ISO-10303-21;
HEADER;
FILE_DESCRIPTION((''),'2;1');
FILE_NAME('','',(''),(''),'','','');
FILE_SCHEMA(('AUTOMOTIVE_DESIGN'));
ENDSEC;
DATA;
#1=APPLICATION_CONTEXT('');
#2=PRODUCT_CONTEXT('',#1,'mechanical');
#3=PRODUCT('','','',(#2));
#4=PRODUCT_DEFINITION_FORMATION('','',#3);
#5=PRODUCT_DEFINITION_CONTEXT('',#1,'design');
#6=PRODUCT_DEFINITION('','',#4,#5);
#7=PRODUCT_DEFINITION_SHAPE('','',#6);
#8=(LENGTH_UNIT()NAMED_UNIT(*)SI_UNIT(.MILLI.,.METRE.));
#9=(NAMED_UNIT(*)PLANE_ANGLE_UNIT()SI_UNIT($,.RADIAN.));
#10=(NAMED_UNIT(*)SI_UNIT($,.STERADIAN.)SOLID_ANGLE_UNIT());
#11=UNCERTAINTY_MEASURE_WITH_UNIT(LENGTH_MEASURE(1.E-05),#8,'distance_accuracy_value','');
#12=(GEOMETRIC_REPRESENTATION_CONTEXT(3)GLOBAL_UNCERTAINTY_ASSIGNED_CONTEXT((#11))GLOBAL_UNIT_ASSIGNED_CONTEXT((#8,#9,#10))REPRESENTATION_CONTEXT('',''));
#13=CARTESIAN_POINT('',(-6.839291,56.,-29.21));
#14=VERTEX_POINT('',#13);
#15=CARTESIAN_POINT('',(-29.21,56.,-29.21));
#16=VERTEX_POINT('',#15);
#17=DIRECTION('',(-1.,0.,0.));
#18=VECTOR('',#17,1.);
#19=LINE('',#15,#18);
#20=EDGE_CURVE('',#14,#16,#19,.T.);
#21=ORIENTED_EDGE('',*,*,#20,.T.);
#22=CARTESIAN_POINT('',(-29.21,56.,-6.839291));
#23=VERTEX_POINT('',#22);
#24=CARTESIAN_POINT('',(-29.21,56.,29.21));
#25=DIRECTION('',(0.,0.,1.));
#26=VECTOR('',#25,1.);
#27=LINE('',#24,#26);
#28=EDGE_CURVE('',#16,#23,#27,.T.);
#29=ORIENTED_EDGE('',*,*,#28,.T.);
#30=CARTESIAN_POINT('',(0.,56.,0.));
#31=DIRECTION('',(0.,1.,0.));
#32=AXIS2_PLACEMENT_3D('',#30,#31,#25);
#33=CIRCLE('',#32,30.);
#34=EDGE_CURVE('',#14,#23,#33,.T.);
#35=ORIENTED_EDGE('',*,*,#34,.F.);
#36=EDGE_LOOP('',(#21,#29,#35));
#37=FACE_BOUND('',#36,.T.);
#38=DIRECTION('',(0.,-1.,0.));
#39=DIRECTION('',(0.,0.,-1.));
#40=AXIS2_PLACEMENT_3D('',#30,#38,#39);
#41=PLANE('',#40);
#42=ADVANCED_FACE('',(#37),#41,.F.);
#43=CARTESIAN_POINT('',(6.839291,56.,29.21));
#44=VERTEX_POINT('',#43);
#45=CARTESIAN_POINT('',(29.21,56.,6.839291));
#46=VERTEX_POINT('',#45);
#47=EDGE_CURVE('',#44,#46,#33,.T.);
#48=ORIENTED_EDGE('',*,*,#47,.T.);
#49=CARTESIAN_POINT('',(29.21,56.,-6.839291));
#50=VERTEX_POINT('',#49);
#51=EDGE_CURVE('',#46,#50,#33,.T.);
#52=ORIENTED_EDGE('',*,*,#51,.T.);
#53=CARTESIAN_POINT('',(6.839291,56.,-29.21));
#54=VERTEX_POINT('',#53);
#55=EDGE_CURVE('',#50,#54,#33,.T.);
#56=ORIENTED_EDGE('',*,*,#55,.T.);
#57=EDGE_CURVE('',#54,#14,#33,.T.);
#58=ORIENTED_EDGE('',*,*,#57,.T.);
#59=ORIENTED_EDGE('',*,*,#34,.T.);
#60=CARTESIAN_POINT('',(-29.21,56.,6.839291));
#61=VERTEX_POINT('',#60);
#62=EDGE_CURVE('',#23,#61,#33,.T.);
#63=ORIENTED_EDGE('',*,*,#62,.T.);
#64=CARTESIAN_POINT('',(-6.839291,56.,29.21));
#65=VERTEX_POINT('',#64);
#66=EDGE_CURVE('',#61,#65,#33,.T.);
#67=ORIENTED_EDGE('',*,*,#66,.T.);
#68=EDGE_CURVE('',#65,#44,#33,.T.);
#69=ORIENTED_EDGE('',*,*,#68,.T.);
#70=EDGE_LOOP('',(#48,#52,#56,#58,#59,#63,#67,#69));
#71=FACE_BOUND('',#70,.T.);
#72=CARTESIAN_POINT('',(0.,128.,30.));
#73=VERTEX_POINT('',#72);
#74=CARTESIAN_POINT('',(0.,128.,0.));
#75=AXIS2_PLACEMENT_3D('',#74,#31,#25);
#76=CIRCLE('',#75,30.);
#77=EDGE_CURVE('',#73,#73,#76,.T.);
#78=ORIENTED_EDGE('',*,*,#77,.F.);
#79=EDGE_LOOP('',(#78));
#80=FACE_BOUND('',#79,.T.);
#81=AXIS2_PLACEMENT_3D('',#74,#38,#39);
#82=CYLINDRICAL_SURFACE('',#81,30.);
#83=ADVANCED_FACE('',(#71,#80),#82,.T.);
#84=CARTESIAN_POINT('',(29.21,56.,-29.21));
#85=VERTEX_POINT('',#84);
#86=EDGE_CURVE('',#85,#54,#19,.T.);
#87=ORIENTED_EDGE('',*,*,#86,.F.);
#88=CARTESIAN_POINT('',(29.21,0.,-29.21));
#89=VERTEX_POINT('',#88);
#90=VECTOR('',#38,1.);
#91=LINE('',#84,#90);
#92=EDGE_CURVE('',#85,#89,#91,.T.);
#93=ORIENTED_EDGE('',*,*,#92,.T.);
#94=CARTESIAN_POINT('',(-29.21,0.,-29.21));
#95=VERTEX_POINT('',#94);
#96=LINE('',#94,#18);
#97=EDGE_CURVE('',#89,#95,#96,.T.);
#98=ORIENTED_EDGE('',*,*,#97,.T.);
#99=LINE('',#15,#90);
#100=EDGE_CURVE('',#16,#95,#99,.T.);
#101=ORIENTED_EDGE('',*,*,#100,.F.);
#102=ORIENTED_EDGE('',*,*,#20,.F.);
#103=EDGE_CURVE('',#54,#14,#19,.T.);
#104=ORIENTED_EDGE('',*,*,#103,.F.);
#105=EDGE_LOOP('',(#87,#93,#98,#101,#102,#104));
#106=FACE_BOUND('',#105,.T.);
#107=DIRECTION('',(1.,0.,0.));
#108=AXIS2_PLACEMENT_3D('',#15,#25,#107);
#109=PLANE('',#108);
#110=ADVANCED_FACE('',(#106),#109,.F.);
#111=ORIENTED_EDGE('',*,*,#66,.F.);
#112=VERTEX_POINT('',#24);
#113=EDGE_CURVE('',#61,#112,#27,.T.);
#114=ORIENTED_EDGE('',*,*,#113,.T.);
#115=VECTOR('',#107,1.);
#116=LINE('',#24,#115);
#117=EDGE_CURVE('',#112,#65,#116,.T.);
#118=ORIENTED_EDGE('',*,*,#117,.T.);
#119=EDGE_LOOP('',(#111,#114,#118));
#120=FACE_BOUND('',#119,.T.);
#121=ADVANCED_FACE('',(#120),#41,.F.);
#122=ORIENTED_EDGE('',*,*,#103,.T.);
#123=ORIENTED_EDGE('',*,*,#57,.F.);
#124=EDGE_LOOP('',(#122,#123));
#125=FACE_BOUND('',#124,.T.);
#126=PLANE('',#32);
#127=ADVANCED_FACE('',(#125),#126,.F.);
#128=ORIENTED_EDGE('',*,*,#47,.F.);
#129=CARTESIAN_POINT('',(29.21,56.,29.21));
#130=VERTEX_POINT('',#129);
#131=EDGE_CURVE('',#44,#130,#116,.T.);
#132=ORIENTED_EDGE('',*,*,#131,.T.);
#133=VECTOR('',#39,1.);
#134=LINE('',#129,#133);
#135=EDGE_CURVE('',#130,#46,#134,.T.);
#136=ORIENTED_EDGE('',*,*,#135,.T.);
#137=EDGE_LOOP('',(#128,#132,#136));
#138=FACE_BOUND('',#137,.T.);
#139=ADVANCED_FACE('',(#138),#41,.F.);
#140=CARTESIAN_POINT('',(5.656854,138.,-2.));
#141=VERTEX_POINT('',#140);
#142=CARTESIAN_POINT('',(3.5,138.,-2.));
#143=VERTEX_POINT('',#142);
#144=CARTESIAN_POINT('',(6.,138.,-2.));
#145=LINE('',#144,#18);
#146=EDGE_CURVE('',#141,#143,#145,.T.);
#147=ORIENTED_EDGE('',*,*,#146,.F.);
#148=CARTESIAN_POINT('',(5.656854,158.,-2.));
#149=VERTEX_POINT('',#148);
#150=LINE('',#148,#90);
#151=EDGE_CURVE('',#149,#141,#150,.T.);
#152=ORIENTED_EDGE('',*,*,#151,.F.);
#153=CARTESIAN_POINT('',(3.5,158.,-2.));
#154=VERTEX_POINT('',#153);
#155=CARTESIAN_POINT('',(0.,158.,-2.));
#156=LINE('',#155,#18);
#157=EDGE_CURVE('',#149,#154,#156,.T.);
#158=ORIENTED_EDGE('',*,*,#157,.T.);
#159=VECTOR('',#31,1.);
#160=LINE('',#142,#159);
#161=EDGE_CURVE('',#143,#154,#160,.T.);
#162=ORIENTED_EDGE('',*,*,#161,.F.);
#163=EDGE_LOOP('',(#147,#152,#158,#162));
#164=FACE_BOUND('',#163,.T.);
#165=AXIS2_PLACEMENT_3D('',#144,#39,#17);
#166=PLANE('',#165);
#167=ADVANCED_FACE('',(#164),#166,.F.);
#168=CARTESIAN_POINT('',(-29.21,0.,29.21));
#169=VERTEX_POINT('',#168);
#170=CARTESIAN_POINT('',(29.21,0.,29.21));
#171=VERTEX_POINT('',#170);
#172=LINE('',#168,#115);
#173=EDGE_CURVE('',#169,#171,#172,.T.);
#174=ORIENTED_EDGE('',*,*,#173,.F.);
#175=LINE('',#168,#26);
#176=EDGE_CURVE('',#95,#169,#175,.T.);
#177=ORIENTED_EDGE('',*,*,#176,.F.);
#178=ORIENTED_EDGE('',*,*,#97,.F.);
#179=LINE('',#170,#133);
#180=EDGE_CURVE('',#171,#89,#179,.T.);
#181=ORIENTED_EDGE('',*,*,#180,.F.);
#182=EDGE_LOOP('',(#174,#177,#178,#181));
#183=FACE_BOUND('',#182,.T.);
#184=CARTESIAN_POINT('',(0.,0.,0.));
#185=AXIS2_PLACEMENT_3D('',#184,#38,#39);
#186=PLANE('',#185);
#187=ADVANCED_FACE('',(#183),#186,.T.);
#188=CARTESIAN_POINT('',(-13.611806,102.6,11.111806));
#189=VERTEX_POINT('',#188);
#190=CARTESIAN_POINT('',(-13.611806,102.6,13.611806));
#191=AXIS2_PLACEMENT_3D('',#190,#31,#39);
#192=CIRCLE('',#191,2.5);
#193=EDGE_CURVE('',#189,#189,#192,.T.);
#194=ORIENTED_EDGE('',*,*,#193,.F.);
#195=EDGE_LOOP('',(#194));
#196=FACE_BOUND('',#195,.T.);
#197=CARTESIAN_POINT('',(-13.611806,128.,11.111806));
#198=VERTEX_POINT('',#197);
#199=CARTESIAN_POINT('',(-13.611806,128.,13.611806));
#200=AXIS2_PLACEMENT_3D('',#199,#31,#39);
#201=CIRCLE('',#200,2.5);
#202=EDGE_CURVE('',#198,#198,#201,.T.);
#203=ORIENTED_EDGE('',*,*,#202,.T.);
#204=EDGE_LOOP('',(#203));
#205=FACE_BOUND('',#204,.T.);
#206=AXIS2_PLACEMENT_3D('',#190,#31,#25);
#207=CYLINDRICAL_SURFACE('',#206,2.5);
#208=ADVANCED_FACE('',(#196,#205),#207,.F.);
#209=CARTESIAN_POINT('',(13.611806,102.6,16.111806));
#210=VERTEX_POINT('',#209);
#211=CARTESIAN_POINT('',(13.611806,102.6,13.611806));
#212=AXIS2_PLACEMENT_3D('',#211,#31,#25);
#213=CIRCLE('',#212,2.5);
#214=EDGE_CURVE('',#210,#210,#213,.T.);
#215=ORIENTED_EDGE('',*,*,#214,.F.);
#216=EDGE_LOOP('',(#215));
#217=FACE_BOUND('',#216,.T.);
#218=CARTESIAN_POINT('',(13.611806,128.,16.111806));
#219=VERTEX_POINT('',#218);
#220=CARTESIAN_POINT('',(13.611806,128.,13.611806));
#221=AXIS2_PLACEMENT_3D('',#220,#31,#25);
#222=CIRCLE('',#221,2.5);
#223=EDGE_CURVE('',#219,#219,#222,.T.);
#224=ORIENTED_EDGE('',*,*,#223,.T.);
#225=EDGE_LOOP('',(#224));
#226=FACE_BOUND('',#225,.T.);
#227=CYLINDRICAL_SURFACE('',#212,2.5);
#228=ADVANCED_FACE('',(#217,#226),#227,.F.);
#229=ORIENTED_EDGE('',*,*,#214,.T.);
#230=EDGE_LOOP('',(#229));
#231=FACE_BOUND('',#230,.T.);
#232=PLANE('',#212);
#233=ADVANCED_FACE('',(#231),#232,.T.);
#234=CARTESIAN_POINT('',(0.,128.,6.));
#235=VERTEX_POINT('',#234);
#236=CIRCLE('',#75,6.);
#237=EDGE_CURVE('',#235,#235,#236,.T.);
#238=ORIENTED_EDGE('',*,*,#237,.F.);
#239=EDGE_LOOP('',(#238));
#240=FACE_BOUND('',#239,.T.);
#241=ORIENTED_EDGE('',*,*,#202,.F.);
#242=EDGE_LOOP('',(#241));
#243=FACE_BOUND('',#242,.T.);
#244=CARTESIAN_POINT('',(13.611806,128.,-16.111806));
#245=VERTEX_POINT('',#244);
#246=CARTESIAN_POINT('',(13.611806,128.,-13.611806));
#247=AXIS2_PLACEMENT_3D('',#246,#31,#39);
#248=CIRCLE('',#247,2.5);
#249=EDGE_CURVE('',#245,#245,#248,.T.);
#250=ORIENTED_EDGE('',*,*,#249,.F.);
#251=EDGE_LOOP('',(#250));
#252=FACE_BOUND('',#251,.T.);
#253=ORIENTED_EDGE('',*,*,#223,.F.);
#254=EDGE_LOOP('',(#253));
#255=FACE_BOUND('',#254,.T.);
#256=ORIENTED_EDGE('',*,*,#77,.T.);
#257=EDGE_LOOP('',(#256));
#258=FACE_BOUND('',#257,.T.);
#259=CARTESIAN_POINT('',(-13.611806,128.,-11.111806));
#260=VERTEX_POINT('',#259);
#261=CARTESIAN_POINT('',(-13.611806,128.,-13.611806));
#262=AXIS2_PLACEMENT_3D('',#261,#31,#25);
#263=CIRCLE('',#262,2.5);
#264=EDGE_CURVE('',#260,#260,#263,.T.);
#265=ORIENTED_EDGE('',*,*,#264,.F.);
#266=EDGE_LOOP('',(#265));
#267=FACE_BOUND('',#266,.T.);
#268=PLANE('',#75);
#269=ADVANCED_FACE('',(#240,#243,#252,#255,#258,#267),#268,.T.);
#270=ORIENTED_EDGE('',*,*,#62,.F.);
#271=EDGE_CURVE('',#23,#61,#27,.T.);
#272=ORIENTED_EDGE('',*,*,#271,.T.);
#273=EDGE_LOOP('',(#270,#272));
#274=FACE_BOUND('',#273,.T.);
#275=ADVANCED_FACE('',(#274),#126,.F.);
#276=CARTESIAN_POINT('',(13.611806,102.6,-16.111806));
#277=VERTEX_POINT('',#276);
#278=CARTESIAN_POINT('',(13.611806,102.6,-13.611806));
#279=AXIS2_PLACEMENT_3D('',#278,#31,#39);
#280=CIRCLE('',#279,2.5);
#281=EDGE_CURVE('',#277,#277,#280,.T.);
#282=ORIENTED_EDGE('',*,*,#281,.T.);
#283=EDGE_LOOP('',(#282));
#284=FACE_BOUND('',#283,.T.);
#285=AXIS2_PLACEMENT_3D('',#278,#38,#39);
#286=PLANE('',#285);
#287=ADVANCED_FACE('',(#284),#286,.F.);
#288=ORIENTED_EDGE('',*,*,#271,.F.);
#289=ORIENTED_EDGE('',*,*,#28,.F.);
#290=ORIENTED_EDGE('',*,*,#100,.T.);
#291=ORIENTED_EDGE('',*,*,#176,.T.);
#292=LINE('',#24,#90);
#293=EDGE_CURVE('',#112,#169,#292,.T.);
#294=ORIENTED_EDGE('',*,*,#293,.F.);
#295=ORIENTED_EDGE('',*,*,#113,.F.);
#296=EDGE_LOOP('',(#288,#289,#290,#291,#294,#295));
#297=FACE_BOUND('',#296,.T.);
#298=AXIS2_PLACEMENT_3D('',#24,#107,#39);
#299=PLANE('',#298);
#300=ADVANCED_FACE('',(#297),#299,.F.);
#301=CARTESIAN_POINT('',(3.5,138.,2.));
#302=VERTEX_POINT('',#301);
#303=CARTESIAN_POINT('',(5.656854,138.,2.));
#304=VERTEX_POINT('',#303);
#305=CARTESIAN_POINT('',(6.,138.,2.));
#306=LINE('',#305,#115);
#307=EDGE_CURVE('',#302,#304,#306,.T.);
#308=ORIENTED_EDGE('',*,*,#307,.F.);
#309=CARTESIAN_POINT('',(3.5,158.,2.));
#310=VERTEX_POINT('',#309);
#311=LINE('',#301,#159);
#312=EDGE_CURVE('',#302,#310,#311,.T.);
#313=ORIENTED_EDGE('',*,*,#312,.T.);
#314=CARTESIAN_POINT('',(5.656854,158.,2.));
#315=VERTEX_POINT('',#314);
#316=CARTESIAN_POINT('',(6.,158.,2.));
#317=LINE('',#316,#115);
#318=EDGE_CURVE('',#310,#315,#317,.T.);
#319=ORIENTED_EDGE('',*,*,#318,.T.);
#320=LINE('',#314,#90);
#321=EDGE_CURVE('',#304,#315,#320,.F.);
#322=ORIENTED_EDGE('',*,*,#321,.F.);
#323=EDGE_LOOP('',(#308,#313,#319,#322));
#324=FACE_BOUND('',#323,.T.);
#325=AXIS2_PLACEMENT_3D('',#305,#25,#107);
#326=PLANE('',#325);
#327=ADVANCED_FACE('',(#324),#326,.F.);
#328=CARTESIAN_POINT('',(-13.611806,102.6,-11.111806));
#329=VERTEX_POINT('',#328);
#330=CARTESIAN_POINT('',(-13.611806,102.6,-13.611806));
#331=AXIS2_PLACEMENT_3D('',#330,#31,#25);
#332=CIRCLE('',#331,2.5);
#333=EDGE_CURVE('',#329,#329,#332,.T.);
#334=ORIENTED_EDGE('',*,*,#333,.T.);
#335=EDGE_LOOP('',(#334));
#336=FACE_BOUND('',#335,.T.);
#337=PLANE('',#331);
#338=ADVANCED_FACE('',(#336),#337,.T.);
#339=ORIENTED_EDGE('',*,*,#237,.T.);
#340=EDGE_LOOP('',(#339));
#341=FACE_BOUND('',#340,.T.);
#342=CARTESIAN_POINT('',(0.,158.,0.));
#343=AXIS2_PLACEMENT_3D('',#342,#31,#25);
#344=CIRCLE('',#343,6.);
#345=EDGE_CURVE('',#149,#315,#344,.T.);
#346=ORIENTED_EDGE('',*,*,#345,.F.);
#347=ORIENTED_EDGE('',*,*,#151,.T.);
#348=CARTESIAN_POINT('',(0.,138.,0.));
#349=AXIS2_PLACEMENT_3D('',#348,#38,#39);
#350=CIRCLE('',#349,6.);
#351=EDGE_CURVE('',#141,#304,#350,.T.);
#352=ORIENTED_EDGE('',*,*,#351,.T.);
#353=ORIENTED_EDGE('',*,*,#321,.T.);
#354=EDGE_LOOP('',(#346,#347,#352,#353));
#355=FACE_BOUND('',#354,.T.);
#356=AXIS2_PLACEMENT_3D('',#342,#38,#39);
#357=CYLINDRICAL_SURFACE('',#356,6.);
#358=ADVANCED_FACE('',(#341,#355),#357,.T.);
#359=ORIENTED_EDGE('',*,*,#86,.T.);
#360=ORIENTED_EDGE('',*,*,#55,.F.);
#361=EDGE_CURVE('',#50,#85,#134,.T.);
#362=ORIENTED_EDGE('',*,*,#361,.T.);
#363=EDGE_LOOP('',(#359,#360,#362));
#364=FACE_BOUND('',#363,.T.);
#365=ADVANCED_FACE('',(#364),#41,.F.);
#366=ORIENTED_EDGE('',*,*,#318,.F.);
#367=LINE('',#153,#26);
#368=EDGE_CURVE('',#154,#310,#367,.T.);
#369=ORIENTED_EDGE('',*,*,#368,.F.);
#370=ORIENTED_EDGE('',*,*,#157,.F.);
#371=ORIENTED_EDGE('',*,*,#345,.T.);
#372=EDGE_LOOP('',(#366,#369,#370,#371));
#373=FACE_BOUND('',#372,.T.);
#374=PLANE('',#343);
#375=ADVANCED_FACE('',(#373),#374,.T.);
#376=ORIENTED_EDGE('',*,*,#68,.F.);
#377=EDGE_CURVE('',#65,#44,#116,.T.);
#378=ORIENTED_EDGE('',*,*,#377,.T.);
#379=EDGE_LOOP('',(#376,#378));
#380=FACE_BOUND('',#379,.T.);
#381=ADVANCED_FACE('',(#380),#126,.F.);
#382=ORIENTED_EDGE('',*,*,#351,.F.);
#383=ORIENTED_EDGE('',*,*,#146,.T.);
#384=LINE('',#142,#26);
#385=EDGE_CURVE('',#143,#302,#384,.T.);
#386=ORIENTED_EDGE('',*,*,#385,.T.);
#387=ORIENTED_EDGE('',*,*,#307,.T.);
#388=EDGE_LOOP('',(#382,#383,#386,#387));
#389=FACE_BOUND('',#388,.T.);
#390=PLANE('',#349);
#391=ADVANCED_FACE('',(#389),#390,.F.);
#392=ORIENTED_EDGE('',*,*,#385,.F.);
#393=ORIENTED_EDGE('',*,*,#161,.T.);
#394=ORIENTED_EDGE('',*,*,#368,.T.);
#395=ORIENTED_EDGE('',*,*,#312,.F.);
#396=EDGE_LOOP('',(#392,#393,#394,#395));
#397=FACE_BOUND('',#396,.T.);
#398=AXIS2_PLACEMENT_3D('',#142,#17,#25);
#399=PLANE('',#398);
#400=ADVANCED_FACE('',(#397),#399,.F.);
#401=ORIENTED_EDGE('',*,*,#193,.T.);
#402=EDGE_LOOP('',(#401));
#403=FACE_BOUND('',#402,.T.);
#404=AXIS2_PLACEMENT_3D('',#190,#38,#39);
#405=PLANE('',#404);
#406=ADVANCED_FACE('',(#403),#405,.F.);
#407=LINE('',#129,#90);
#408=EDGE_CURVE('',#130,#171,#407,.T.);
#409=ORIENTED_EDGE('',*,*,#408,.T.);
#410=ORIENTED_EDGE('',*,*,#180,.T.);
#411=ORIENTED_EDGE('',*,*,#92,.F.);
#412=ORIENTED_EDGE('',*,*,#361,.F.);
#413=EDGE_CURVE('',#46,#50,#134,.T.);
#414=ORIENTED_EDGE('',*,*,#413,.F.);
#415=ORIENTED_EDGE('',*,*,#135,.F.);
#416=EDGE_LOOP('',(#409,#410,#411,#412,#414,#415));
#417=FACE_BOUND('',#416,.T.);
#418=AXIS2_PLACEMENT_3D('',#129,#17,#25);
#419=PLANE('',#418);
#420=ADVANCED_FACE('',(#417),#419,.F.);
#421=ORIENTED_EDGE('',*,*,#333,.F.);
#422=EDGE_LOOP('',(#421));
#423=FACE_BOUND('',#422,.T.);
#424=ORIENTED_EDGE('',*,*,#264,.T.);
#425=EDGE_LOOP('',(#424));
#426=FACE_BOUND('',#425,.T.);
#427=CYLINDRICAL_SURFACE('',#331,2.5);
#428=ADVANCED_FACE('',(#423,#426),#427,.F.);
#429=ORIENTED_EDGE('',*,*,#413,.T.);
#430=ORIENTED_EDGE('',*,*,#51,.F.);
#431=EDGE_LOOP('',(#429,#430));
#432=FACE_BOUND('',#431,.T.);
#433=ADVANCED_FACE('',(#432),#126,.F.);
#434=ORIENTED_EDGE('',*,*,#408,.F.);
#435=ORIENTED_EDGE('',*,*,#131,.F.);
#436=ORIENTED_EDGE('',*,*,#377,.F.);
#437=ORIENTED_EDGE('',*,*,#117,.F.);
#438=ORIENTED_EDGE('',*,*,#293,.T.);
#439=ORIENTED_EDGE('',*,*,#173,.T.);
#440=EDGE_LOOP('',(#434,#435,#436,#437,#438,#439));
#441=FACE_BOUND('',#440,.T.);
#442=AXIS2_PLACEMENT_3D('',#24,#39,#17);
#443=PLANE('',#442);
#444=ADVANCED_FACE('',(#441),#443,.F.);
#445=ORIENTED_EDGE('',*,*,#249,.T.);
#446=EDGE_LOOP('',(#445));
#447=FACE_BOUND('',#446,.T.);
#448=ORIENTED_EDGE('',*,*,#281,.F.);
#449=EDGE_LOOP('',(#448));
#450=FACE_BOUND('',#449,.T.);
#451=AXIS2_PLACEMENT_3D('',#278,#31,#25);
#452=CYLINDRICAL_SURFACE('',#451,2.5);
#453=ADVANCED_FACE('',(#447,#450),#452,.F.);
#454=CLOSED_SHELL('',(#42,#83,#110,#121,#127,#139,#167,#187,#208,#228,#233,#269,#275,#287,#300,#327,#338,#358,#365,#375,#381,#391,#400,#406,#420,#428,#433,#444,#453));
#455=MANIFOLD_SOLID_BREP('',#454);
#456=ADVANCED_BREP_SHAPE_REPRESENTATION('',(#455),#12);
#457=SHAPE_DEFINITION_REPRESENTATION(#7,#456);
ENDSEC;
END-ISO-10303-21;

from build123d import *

# Parameters (mm, degrees)
SKETCH1_W           = 58.42
SKETCH1_H           = 58.42
BOSS_EXTRUDE1_DEPTH = 56
SKETCH2_R           = 30
BOSS_EXTRUDE2_DEPTH = 72
SKETCH3_R           = 6
BOSS_EXTRUDE3_DEPTH = 30
SKETCH4_R           = 2.5
CUT_EXTRUDE1_DEPTH  = 25.4
SKETCH5_W           = 2.5
SKETCH5_H           = 4
CUT_EXTRUDE2_DEPTH  = 20


with BuildPart() as part:
    # Sketch1 → Boss-Extrude1 (new body)
    with BuildSketch(Plane(origin=(0, 0, 0), x_dir=(1, 0, 0), z_dir=(0, 1, 0))):
        Rectangle(SKETCH1_W, SKETCH1_H)
    extrude(amount=BOSS_EXTRUDE1_DEPTH)

    # Sketch2 → Boss-Extrude2 (add)
    with BuildSketch(Plane(origin=(0, 56, 0), x_dir=(1, 0, 0), z_dir=(0, 1, 0))):
        Circle(SKETCH2_R)
    extrude(amount=BOSS_EXTRUDE2_DEPTH)

    # Sketch3 → Boss-Extrude3 (add)
    with BuildSketch(Plane(origin=(0, 128, 0), x_dir=(1, 0, 0), z_dir=(0, 1, 0))):
        Circle(SKETCH3_R)
    extrude(amount=BOSS_EXTRUDE3_DEPTH)

    # Sketch4 → Cut-Extrude1 (cut)
    with BuildSketch(Plane(origin=(0, 128, 0), x_dir=(1, 0, 0), z_dir=(0, 1, 0))):
        with Locations((-13.611805538, 13.611805538)):
            Circle(SKETCH4_R)
        with Locations((13.611805538, 13.611805538)):
            Circle(SKETCH4_R)
        with Locations((13.611805538, -13.611805538)):
            Circle(SKETCH4_R)
        with Locations((-13.611805538, -13.611805538)):
            Circle(SKETCH4_R)
    extrude(amount=-CUT_EXTRUDE1_DEPTH, mode=Mode.SUBTRACT)

    # Sketch5 → Cut-Extrude2 (cut)
    with BuildSketch(Plane(origin=(0, 158, 0), x_dir=(1, 0, 0), z_dir=(0, 1, 0))):
        with Locations((4.75, 0)):
            Rectangle(SKETCH5_W, SKETCH5_H)
    extrude(amount=-CUT_EXTRUDE2_DEPTH, mode=Mode.SUBTRACT)


solid = part.part
